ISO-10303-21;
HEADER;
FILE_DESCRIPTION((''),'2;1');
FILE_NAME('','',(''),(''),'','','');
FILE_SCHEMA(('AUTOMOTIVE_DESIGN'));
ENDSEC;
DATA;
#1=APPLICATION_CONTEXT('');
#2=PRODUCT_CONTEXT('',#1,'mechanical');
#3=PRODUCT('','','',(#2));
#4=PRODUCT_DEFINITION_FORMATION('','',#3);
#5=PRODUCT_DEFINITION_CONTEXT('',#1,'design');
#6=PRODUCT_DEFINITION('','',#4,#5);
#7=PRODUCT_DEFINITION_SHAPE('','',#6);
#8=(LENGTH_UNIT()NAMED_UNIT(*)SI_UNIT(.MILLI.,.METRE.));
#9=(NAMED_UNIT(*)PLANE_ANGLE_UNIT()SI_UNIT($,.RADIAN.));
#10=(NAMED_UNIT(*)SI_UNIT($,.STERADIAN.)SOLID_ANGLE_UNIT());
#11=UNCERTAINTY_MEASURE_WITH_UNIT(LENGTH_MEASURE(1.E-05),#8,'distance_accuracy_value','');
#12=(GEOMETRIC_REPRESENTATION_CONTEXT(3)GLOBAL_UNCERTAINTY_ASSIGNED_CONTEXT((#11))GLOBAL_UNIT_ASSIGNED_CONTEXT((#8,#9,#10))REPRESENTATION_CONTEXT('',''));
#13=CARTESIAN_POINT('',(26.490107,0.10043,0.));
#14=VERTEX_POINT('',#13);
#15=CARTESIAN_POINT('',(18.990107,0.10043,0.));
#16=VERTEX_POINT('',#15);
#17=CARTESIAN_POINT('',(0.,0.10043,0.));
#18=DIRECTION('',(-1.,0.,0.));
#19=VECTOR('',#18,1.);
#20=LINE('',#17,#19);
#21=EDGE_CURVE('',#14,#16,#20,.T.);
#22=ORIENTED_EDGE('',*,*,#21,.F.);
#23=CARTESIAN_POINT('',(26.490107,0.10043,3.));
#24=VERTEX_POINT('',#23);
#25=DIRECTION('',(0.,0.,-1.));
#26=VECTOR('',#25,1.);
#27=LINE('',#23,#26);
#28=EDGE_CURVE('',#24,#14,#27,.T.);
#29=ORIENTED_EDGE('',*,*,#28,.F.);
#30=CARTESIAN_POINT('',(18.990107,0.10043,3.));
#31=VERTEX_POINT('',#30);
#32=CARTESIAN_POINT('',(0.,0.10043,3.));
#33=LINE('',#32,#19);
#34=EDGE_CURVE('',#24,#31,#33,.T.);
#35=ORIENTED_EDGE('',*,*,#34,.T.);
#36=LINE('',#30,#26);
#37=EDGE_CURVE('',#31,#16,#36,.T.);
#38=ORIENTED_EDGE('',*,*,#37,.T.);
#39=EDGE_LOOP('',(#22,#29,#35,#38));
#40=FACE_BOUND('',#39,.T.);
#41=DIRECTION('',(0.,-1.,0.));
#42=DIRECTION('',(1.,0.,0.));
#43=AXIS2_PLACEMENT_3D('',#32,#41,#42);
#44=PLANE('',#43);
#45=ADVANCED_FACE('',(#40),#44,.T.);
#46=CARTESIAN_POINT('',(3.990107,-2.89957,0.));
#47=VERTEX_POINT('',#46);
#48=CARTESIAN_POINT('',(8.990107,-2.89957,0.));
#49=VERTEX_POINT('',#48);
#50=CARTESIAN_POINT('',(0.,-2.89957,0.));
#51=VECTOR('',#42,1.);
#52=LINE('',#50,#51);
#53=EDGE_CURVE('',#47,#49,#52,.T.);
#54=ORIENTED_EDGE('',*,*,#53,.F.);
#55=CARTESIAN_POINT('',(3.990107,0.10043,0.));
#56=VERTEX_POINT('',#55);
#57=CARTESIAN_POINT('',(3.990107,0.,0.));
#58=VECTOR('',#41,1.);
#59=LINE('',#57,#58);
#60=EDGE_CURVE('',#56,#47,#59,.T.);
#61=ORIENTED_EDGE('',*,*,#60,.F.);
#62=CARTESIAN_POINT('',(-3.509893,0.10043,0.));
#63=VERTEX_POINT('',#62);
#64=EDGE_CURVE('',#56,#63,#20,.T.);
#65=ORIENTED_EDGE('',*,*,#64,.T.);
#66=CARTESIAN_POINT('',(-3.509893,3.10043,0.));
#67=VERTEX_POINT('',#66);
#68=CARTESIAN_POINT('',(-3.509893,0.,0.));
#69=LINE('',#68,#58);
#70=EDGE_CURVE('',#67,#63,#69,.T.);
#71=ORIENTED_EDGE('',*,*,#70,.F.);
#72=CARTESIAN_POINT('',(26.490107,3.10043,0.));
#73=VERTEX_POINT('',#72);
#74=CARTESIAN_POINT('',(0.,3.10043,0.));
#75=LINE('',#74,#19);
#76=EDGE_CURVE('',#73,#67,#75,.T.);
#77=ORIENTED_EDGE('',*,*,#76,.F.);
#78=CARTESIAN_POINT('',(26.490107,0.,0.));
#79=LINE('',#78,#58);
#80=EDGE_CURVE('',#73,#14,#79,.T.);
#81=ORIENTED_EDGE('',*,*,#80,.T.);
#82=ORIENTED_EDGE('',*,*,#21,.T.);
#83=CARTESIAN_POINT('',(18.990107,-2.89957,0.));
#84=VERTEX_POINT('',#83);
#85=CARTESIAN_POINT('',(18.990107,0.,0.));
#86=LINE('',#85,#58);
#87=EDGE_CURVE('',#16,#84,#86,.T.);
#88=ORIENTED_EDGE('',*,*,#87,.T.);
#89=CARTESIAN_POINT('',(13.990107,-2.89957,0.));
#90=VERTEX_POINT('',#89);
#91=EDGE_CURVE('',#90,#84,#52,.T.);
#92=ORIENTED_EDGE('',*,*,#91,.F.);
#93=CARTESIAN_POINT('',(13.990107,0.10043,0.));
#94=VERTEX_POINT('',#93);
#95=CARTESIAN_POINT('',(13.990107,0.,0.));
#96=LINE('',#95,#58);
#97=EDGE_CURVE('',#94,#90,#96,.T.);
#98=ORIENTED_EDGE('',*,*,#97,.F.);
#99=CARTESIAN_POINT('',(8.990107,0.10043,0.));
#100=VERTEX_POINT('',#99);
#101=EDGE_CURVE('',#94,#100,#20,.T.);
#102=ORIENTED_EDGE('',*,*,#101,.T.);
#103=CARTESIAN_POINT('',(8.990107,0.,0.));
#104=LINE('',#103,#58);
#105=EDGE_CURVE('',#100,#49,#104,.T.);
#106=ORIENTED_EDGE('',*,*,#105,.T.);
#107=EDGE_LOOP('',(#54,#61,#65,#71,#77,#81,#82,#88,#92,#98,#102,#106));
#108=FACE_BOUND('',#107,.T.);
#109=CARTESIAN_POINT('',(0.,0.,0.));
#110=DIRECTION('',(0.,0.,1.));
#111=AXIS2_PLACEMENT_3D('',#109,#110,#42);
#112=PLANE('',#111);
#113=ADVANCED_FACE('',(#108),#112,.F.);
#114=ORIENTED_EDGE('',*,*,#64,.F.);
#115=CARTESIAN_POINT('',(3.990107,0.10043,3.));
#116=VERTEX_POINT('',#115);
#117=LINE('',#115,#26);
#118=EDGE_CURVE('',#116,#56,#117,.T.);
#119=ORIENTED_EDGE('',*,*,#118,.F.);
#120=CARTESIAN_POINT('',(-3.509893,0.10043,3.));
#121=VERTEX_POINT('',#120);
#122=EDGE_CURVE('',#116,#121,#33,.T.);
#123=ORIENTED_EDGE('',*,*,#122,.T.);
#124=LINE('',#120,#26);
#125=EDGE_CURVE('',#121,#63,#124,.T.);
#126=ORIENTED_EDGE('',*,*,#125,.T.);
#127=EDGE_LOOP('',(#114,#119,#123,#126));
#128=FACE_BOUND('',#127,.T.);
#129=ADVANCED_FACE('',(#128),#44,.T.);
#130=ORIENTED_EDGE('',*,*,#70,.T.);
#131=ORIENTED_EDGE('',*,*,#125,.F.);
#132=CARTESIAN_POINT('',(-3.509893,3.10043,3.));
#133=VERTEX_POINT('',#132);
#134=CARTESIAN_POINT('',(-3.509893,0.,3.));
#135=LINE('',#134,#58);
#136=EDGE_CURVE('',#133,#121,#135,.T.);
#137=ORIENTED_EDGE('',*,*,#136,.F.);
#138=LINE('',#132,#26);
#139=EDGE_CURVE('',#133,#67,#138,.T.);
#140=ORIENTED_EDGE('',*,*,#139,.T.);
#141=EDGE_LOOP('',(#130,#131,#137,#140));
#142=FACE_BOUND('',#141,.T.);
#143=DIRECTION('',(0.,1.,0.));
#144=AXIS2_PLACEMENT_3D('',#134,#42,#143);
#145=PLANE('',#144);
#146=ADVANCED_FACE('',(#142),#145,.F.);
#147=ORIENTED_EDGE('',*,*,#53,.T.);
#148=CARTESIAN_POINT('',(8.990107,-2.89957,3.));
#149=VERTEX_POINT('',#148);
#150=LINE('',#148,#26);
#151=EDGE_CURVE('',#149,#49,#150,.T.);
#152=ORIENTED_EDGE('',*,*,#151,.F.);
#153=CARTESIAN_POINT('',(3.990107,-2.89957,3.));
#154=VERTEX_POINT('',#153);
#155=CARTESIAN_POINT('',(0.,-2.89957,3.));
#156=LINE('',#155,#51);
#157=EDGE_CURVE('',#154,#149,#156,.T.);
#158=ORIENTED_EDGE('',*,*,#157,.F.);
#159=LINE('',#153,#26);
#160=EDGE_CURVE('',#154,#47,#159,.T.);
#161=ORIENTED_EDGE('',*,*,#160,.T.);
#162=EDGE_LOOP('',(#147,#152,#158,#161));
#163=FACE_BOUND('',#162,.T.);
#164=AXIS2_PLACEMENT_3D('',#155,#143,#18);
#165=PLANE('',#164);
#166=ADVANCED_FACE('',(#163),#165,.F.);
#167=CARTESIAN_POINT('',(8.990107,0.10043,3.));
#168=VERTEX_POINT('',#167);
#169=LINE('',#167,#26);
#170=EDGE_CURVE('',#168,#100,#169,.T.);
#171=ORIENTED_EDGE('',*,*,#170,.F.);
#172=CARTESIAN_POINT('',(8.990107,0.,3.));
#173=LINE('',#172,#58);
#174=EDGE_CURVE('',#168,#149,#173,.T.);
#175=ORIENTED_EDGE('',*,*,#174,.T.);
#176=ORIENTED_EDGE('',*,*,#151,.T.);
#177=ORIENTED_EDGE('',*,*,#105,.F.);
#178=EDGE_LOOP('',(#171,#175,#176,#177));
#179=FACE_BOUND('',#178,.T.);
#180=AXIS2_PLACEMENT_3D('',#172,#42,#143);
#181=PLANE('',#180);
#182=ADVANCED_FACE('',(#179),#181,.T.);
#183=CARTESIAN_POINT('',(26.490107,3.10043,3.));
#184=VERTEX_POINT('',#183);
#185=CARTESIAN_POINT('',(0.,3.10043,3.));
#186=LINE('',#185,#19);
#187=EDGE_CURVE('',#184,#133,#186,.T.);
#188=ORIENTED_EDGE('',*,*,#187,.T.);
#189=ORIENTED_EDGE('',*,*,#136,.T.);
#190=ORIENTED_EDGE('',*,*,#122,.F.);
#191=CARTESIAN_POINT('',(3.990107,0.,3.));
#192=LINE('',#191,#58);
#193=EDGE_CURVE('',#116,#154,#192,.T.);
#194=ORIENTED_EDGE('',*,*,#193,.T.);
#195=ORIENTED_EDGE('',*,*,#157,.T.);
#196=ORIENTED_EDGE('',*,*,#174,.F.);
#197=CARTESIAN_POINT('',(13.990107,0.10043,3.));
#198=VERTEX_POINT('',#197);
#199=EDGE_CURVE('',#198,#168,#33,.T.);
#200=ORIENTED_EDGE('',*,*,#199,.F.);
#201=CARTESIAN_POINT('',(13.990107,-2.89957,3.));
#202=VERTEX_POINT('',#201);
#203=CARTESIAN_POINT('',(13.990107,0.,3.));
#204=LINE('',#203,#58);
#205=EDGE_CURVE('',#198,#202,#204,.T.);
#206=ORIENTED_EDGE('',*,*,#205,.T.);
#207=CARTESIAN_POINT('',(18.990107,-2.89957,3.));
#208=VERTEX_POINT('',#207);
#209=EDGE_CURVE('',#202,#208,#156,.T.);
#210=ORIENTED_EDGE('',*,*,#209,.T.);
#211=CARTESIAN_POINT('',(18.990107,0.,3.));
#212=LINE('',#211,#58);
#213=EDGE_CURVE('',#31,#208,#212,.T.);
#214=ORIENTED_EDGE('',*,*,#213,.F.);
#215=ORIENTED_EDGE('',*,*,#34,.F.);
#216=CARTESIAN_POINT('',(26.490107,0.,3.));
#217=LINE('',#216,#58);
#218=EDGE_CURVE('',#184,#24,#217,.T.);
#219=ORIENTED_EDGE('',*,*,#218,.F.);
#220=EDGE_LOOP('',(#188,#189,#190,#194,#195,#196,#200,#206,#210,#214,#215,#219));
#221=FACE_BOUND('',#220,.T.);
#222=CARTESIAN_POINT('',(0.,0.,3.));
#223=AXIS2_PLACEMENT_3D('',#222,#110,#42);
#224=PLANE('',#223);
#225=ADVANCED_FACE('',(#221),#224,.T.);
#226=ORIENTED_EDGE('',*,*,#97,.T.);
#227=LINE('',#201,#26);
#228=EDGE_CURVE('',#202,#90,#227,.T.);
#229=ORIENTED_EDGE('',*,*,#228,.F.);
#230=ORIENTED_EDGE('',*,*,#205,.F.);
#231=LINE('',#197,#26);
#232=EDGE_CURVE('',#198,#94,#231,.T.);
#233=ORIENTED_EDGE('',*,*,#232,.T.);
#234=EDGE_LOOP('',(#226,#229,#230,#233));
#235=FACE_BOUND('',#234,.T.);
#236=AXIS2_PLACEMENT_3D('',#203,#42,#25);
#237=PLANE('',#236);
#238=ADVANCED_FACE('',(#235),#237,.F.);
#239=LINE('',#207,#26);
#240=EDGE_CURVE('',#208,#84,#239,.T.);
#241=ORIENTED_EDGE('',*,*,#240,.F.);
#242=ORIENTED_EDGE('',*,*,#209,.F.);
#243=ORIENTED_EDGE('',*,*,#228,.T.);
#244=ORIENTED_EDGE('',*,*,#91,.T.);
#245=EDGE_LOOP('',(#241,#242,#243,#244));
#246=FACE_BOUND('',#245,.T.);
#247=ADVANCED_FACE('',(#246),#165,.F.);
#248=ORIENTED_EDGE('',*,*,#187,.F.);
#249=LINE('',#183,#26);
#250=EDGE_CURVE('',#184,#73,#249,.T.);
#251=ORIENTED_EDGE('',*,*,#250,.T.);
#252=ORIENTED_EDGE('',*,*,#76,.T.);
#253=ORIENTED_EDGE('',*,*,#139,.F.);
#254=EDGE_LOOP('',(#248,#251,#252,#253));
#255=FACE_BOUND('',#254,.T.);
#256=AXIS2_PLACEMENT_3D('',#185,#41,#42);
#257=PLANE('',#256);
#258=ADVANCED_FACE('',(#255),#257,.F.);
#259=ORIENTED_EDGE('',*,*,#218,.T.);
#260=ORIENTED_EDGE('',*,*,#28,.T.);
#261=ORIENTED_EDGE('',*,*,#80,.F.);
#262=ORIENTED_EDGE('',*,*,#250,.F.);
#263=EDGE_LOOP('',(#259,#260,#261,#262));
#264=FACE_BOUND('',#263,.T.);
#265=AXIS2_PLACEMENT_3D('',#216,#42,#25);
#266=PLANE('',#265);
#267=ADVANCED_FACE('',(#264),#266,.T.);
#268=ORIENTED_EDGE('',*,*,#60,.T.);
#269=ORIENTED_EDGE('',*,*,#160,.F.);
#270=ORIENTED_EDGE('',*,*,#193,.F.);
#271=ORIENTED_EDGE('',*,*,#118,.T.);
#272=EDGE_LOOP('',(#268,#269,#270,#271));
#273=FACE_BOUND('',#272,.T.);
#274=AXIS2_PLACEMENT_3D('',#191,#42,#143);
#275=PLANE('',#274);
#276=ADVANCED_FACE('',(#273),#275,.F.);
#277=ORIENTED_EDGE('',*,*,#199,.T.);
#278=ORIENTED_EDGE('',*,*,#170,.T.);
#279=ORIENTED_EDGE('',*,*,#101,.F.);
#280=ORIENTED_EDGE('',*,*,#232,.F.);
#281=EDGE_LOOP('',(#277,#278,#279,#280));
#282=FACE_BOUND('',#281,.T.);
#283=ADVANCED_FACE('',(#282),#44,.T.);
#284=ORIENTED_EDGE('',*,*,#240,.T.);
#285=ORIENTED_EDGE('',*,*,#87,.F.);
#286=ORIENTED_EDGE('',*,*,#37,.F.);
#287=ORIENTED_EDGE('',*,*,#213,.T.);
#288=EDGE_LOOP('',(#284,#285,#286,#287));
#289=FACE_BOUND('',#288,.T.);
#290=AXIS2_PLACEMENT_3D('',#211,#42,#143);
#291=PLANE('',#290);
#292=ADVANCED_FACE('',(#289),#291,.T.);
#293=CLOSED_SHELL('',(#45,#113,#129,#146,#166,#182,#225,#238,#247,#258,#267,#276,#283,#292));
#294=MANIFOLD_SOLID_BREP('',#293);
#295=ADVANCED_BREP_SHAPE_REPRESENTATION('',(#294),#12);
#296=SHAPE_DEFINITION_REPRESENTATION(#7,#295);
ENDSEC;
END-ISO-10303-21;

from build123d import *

# Parameters (mm, degrees)
BOSS_EXTRU_1_DEPTH = 3


with BuildPart() as part:
    # Esquisse1 → Boss.-Extru.1 (new body)
    with BuildSketch(Plane.XY):
        Polygon((18.990106642, -2.899569673), (18.990106642, 0.100430327), (26.490106642, 0.100430327), (26.490106642, 3.100430327), (-3.509893358, 3.100430327), (-3.509893358, 0.100430327), (3.990106642, 0.100430327), (3.990106642, -2.899569673), (8.990106642, -2.899569673), (8.990106642, 0.100430327), (13.990106642, 0.100430327), (13.990106642, -2.899569673), align=None)
    extrude(amount=BOSS_EXTRU_1_DEPTH)


solid = part.part
